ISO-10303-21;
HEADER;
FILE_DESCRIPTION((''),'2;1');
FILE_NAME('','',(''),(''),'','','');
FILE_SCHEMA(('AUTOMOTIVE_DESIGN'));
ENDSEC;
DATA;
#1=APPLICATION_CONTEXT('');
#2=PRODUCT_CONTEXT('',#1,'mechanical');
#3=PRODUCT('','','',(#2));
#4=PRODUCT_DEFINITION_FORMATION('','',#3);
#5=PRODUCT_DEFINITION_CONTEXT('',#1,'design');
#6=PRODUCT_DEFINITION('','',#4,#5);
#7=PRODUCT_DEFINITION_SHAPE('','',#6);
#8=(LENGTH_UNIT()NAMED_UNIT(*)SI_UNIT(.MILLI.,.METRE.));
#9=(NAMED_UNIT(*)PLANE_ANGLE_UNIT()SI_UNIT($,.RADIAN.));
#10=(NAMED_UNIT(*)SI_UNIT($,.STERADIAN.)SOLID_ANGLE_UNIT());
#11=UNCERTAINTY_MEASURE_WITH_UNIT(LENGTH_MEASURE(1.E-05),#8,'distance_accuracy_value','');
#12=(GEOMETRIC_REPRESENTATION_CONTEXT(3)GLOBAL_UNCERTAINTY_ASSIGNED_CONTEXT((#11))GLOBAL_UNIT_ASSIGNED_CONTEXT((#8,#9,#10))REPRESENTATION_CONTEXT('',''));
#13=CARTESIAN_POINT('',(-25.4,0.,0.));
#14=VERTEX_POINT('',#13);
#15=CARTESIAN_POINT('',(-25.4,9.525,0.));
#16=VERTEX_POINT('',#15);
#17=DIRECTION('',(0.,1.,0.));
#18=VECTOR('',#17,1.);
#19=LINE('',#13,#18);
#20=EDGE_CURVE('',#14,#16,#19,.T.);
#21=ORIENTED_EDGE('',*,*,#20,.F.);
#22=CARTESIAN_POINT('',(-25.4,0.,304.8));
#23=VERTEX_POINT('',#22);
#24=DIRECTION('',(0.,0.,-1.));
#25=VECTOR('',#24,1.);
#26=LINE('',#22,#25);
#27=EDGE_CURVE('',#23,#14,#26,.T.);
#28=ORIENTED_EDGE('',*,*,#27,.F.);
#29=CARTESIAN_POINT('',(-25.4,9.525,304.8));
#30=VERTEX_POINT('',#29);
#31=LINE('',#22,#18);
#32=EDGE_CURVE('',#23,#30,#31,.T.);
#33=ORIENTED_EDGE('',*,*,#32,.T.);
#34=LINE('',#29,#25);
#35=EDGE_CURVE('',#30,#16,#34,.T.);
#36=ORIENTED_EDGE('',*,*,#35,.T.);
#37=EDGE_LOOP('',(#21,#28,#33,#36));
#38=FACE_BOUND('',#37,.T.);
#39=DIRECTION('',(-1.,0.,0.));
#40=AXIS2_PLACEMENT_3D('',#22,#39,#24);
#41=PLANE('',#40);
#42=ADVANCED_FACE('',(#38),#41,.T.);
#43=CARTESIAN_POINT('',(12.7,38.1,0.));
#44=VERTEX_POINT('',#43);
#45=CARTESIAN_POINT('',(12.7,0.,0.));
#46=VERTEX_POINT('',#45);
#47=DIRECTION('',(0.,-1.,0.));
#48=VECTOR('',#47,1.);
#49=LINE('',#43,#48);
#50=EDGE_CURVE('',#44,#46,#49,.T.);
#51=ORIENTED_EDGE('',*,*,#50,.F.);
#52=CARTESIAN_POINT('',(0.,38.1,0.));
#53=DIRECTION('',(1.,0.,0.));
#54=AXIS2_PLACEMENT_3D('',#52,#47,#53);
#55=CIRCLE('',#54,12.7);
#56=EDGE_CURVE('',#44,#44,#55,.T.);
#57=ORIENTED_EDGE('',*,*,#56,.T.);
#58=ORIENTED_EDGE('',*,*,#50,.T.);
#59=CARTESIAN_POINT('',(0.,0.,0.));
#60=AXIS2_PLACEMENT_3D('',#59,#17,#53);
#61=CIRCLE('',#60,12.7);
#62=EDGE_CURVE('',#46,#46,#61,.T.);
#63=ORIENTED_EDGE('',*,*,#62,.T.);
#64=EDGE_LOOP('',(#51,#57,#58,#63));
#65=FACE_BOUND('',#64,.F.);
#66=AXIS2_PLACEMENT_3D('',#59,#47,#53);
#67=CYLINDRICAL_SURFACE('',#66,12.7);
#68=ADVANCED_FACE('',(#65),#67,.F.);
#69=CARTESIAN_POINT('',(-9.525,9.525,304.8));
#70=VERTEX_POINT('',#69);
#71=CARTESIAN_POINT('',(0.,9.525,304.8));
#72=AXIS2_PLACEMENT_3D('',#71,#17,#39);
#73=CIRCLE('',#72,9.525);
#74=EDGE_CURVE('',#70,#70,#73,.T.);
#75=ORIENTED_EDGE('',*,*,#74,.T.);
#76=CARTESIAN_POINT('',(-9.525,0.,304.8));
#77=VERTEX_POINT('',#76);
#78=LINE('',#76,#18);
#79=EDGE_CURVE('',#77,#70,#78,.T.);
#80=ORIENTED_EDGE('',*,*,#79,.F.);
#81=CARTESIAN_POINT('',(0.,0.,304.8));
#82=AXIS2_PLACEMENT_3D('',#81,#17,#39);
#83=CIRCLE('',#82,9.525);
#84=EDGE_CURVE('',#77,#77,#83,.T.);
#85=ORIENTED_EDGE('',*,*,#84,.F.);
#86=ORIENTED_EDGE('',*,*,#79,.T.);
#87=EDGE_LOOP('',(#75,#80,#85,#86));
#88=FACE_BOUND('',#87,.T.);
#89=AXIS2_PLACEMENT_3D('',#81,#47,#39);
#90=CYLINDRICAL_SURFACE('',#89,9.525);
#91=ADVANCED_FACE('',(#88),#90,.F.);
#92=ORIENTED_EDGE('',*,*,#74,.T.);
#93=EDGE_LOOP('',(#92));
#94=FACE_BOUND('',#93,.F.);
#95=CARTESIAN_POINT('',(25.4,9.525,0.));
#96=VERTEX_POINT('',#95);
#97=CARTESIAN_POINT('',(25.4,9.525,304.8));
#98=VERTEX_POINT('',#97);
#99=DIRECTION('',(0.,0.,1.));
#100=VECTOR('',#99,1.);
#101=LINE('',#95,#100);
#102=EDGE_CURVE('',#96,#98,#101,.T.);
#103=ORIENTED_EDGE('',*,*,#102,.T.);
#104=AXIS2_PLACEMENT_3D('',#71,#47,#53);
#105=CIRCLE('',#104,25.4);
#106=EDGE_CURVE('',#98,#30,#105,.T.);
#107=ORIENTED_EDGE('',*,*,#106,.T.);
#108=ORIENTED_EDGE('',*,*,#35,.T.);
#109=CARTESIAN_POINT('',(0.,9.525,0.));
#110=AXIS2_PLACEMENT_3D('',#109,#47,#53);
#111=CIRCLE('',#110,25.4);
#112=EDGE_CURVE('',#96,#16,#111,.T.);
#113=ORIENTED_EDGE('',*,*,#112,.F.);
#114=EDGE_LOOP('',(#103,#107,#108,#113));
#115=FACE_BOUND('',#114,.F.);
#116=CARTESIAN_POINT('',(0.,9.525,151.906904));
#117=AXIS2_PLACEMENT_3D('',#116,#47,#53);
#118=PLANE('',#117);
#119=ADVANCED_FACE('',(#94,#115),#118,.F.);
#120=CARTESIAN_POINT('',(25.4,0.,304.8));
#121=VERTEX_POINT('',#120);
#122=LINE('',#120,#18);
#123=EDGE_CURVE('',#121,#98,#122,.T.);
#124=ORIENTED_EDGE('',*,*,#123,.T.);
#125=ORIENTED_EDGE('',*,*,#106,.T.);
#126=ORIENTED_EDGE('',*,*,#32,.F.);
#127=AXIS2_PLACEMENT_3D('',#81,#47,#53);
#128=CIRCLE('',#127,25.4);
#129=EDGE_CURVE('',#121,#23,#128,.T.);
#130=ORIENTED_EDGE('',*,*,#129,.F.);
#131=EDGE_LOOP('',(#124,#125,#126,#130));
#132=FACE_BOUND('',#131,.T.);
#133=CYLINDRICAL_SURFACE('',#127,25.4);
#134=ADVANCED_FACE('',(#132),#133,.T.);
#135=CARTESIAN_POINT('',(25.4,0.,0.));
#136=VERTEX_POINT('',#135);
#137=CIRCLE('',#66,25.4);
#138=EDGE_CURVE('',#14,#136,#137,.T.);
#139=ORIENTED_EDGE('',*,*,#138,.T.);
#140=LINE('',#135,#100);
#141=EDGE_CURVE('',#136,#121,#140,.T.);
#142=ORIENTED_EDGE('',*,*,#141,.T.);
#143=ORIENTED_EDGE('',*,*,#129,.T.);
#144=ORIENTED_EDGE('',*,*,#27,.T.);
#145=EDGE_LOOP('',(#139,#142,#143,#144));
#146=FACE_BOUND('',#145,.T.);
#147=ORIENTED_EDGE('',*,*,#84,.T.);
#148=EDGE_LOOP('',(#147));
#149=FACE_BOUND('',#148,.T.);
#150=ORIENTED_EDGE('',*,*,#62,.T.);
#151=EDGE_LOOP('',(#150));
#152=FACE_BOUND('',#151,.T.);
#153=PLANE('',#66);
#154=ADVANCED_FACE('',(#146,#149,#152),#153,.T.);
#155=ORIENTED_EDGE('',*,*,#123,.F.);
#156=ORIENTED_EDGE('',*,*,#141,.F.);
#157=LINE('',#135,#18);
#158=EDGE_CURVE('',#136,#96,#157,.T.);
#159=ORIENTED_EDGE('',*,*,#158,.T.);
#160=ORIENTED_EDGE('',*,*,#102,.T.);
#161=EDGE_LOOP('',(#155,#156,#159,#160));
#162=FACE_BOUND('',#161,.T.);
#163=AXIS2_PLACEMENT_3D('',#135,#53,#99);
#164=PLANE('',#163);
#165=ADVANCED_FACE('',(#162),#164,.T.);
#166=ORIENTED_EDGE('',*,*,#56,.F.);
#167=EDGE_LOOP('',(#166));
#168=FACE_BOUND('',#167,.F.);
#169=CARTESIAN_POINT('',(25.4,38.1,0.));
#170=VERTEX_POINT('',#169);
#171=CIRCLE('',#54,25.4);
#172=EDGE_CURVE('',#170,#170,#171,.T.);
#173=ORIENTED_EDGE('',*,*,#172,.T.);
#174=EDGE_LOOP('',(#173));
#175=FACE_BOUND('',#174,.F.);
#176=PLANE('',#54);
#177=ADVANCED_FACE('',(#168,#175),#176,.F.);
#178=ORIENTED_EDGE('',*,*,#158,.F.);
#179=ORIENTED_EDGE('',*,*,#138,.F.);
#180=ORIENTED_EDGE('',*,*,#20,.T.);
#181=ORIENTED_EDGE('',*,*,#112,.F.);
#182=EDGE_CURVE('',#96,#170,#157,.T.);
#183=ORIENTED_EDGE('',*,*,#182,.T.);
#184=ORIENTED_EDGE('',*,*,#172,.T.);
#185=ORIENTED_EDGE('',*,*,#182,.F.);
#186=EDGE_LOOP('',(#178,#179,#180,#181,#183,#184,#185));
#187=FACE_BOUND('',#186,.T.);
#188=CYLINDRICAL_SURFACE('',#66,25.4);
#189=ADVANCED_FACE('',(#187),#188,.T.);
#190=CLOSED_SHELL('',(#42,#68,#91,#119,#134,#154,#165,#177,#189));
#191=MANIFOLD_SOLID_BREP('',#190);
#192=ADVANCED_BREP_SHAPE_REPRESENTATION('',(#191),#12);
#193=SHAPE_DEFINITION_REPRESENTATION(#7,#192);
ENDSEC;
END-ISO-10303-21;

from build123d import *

# Parameters (mm, degrees)
F0_R     = 25.4
F0_R_2   = 12.7
F1_DEPTH = 38.1
F3_DEPTH = 9.525


with BuildPart() as f1:
    # F0 (on Front) → F1 (new body)
    with BuildSketch(Plane.XZ):
        Circle(F0_R)
        Circle(F0_R_2, mode=Mode.SUBTRACT)
    extrude(amount=-F1_DEPTH)

    # F2 (on Front) → F3 (join)
    with BuildSketch(Plane.XZ):
        with BuildLine():
            ThreePointArc((-12.7, 0), (0, 12.7), (12.7, 0))
            Line((12.7, 0), (25.4, 0))
            Line((25.4, 0), (25.4, 304.8))
            Line((25.4, 304.8), (9.525, 304.8))
            ThreePointArc((9.525, 304.8), (0, 295.275), (-9.525, 304.8))
            Line((-9.525, 304.8), (-25.4, 304.8))
            Line((-25.4, 304.8), (-25.4, 0))
            Line((-25.4, 0), (-12.7, 0))
        make_face()
        with BuildLine():
            Line((9.525, 304.8), (25.4, 304.8))
            ThreePointArc((25.4, 304.8), (0, 330.2), (-25.4, 304.8))
            Line((-25.4, 304.8), (-9.525, 304.8))
            ThreePointArc((-9.525, 304.8), (0, 314.325), (9.525, 304.8))
        make_face()
    extrude(amount=-F3_DEPTH)


solid = f1.part
